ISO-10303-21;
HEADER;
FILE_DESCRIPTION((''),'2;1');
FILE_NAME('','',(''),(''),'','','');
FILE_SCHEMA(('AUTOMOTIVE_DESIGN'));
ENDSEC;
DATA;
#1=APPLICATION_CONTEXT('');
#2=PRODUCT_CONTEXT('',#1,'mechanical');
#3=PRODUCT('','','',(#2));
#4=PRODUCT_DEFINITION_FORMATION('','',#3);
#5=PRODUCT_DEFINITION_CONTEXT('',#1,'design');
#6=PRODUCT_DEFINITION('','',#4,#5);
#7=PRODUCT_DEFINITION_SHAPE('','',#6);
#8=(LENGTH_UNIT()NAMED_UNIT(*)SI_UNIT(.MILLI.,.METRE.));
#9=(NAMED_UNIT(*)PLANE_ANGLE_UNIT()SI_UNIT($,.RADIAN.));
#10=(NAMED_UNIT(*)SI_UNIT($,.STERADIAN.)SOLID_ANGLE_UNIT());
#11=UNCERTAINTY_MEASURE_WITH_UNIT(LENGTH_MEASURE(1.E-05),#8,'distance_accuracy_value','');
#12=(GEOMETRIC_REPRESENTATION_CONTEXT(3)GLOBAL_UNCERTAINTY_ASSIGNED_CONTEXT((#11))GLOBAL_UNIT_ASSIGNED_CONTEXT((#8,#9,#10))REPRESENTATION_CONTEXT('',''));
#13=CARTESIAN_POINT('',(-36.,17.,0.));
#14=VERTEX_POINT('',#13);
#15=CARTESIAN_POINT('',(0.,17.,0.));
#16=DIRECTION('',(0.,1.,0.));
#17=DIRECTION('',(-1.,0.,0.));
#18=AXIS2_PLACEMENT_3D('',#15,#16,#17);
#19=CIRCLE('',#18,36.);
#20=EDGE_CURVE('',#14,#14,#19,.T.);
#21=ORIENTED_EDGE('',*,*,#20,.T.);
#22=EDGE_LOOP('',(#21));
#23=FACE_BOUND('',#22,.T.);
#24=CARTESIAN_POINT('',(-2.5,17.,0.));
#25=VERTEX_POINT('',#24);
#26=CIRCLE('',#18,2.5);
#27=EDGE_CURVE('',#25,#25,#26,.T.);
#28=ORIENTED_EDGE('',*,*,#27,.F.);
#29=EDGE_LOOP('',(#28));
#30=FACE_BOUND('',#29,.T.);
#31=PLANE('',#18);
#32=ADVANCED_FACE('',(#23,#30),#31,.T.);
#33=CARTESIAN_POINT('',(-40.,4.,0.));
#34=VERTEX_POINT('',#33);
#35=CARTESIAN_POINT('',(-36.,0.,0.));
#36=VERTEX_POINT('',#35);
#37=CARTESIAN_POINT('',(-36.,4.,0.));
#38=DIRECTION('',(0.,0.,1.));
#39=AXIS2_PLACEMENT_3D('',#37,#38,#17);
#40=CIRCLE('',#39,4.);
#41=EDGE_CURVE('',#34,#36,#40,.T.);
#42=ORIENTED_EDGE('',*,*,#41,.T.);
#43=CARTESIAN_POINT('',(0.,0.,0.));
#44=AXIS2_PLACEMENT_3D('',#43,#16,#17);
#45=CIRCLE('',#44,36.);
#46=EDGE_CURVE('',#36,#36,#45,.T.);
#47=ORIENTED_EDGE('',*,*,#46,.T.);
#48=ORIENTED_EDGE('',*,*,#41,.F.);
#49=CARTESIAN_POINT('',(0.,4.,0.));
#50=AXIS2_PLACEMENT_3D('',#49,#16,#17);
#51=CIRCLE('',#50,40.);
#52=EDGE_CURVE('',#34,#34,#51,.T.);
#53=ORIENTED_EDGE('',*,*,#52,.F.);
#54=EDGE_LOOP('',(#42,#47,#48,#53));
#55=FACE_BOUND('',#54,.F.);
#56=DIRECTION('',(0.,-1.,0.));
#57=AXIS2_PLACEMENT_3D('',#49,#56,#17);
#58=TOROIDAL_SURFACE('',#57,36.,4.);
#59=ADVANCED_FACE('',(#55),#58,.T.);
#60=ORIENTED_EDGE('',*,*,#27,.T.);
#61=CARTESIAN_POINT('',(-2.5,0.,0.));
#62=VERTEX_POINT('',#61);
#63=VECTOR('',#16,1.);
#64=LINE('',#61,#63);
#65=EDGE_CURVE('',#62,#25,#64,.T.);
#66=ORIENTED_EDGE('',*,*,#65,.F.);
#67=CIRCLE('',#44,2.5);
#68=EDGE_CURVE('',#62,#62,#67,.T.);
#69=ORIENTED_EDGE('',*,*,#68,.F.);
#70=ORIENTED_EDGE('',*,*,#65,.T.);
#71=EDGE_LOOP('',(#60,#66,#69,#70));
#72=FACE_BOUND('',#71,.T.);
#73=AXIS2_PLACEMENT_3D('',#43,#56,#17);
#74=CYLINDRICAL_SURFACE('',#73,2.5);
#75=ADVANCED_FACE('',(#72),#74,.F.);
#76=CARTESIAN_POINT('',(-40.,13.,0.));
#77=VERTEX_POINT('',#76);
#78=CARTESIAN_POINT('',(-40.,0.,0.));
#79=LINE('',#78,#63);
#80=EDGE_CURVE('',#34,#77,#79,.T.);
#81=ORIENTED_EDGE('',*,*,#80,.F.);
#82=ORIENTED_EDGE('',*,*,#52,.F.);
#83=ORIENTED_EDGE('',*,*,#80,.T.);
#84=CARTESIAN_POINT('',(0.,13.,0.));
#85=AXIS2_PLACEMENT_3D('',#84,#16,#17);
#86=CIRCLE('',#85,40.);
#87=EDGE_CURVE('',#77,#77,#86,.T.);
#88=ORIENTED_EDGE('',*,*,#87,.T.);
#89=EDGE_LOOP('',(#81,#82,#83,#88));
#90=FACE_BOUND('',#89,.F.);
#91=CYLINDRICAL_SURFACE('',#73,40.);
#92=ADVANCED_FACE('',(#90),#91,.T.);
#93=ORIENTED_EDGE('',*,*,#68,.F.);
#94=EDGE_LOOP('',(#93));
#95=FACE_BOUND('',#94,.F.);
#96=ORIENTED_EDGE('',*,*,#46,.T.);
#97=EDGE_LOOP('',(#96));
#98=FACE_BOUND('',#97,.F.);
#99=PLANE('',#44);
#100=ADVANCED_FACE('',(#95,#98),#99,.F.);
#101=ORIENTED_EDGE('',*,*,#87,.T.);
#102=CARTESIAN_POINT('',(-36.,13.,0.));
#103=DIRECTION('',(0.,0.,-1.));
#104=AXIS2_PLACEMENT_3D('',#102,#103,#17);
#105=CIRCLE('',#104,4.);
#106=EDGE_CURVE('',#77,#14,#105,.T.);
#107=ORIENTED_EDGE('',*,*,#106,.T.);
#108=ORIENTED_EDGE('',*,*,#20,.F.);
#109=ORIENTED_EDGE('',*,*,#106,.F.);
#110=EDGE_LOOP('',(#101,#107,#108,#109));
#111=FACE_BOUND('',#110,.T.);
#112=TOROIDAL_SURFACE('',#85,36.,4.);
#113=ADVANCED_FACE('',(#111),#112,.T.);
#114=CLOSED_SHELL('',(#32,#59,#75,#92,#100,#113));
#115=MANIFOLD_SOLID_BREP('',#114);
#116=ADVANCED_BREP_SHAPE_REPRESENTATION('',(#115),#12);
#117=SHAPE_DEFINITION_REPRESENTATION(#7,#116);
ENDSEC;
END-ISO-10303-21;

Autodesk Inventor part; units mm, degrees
ref_plane "YZ Plane" through (0, 0, 0) normal (1, 0, 0) x (0, 1, 0)
ref_plane "XZ Plane" through (0, 0, 0) normal (0, 1, 0) x (-1, 0, 0)
ref_plane "XY Plane" through (0, 0, 0) normal (0, 0, 1) x (1, 0, 0)
sketch "Sketch1" plane through (0, 0, 0) normal (0, 1, 0) x (-1, 0, 0)
  circle A0 centre (0, 0) radius 40
  circle A1 centre (0, 0) radius 2.5
  dimension "d0" = 80
  dimension "d1" = 5
extrude "Extrusion1" add sketch "Sketch1" along normal blind 17
fillet "Fillet1" radius 4 2 edges at (40, 17, 0) (40, 0, 0)
properties part number "Wheels"
